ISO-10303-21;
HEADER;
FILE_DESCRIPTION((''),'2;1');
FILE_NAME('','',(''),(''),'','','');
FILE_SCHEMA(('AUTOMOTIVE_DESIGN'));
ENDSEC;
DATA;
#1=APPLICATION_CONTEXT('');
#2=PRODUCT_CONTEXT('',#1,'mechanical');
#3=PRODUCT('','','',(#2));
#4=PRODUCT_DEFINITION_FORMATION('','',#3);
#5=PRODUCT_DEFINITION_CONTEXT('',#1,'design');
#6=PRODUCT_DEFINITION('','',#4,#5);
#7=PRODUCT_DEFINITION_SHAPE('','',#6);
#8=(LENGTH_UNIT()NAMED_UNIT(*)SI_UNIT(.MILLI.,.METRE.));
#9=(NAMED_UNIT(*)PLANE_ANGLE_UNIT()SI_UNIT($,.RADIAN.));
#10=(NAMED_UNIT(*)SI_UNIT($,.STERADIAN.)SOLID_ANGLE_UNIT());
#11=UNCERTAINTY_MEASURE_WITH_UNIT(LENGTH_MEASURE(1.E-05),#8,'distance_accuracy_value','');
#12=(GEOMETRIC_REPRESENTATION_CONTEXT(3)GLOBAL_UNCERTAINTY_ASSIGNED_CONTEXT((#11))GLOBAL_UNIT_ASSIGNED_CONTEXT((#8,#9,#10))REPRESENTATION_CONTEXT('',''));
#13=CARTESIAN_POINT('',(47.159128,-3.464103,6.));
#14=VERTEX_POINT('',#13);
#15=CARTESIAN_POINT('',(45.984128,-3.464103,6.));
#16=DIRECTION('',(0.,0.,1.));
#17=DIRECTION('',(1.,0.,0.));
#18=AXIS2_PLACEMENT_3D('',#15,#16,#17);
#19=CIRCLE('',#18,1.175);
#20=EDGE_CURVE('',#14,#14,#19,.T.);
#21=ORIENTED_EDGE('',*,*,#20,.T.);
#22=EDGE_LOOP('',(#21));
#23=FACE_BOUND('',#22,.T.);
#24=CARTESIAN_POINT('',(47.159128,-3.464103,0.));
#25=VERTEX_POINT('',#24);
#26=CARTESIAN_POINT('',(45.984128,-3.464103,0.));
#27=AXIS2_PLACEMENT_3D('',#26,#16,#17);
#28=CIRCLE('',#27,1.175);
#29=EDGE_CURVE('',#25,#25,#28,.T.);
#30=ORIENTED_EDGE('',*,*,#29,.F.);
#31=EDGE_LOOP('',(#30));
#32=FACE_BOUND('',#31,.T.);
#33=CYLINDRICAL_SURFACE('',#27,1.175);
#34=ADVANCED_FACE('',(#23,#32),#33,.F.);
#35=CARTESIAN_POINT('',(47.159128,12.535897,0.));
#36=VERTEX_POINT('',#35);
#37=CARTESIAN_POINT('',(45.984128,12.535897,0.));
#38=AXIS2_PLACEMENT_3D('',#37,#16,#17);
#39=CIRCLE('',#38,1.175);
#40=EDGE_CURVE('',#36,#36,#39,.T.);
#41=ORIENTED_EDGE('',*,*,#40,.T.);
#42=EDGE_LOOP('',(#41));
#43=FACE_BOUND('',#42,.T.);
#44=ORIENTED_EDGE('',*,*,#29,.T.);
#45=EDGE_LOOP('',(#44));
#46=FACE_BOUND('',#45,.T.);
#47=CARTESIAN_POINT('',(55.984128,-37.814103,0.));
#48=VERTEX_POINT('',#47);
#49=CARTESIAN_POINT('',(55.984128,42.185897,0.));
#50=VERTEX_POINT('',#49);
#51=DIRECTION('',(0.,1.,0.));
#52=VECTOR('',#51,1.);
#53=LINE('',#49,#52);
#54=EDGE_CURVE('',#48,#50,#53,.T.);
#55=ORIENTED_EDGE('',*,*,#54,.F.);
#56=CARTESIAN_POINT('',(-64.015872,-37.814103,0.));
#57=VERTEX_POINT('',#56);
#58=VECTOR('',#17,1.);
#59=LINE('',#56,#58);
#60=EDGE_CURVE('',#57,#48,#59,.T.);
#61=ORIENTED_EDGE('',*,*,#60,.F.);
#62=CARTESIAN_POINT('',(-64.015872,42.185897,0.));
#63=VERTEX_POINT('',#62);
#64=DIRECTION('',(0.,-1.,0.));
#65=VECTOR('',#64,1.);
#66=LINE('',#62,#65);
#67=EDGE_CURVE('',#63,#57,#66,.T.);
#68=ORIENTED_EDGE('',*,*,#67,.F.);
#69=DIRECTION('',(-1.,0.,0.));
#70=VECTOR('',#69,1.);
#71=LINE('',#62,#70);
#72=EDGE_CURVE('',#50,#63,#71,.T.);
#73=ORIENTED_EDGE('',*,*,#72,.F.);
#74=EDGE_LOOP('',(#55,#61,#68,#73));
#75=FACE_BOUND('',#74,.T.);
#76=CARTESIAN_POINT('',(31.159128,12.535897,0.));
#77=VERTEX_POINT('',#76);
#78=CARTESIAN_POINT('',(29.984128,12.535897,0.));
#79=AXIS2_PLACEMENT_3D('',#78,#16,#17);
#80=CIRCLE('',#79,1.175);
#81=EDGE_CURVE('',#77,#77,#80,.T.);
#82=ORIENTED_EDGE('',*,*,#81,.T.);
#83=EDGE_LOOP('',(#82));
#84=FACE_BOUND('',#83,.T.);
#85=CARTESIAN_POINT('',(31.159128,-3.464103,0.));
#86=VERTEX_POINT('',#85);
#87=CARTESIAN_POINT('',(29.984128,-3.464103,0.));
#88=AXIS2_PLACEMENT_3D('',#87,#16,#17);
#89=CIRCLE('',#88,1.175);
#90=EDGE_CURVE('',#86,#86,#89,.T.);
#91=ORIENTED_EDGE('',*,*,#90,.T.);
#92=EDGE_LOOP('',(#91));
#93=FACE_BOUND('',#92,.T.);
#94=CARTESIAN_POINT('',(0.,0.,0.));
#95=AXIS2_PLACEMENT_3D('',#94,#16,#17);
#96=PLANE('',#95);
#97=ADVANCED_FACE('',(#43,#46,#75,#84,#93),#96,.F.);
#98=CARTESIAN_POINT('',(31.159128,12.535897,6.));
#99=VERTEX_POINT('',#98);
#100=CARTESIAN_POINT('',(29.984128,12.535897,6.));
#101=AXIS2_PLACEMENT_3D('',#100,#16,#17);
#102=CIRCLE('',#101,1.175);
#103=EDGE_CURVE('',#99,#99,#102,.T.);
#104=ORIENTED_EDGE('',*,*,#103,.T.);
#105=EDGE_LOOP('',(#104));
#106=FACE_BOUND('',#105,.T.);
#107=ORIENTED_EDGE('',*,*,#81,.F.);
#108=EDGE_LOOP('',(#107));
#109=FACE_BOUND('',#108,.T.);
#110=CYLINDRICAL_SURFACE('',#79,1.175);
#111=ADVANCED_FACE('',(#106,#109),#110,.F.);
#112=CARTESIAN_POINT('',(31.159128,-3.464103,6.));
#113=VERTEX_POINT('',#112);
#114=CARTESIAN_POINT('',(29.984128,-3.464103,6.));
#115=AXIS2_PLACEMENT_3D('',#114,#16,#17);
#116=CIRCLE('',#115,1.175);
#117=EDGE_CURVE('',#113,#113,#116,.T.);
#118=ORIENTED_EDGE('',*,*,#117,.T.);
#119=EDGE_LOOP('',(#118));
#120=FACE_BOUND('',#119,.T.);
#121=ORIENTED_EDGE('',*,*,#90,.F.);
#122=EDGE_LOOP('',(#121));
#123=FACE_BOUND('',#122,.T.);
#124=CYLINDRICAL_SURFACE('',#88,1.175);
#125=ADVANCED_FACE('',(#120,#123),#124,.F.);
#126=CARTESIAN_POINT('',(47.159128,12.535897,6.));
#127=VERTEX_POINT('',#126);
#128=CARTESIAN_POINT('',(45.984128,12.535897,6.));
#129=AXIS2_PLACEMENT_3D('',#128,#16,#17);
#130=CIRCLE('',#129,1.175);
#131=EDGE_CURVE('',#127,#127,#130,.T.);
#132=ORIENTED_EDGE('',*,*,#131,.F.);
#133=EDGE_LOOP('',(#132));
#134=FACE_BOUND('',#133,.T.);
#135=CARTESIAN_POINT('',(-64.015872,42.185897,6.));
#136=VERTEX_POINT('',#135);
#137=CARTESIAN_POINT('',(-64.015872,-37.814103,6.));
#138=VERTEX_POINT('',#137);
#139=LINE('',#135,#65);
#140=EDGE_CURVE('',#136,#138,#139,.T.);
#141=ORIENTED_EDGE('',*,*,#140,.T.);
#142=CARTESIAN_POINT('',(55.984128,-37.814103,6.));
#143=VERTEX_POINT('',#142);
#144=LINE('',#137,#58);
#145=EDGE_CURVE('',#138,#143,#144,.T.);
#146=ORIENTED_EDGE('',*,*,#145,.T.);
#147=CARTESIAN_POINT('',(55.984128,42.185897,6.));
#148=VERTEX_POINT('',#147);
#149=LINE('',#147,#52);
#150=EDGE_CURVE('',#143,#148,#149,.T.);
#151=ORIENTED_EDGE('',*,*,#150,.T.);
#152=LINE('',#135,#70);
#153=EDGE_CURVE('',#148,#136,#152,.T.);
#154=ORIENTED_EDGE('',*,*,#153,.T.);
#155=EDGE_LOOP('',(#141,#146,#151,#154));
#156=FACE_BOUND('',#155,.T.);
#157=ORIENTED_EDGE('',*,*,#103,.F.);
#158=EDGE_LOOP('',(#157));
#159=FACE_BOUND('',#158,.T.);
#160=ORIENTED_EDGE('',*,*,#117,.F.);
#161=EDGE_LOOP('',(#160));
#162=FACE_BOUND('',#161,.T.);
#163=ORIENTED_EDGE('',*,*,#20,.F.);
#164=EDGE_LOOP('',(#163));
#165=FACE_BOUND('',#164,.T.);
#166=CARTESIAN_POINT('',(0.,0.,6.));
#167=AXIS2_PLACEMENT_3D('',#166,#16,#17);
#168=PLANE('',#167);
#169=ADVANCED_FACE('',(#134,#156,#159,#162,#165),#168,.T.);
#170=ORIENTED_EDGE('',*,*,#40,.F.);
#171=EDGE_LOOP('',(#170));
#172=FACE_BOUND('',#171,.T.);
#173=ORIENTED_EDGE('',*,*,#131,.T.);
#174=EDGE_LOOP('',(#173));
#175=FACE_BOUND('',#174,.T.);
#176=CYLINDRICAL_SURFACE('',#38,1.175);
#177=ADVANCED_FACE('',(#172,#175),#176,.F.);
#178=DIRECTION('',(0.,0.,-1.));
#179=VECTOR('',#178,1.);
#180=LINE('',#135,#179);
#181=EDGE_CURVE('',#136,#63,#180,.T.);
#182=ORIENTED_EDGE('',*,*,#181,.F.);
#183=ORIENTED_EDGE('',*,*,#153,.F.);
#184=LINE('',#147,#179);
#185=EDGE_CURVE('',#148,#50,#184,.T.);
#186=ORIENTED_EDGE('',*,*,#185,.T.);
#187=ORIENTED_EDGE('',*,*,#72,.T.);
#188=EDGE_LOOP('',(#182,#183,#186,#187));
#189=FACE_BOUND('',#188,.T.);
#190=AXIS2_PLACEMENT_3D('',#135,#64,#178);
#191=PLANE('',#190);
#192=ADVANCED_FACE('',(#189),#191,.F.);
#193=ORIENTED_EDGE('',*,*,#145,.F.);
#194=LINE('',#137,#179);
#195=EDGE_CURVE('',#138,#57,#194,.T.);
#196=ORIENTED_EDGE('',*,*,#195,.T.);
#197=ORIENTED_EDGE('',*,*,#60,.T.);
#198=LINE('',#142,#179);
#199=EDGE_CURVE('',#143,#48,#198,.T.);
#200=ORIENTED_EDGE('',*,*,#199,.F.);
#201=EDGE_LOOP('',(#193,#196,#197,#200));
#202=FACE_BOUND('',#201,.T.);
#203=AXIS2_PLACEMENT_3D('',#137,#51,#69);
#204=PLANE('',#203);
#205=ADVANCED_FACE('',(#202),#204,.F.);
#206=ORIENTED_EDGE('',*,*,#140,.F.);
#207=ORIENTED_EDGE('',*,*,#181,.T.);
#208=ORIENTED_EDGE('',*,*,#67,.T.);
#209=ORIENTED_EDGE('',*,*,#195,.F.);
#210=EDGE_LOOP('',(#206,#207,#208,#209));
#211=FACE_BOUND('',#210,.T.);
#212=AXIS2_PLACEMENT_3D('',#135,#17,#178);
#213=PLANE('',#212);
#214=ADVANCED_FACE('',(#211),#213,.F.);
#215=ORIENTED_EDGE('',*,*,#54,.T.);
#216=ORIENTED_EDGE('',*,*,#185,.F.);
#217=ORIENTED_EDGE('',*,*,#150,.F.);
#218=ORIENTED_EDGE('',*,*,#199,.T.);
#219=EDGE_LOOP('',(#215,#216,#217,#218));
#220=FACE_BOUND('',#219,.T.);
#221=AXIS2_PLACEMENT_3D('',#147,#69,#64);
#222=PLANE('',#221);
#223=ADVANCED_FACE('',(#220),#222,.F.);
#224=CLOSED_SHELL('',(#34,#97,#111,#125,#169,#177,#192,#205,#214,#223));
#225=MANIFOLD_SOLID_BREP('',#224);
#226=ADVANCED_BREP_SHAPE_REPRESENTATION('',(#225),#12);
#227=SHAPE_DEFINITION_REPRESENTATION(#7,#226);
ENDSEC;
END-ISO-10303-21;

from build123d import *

# Parameters (mm, degrees)
ESQUISSE1_W             = 120
ESQUISSE1_H             = 80
BOSS_EXTRU_1_DEPTH      = 6
ESQUISSE2_R             = 1.175
ENL_V_MAT_EXTRU_1_DEPTH = 6


with BuildPart() as part:
    # Esquisse1 → Boss.-Extru.1 (new body)
    with BuildSketch(Plane.XY):
        with Locations((-4.015872064, 2.185897225)):
            Rectangle(ESQUISSE1_W, ESQUISSE1_H)
    extrude(amount=BOSS_EXTRU_1_DEPTH)

    # Esquisse2 → Enlèv. mat.-Extru.1 (cut)
    with BuildSketch(Plane.XY.offset(6)):
        with Locations((45.984127936, 12.535897225)):
            Circle(ESQUISSE2_R)
        with Locations((29.984127936, 12.535897225)):
            Circle(ESQUISSE2_R)
        with Locations((29.984127936, -3.464102775)):
            Circle(ESQUISSE2_R)
        with Locations((45.984127936, -3.464102775)):
            Circle(ESQUISSE2_R)
    extrude(amount=-ENL_V_MAT_EXTRU_1_DEPTH, mode=Mode.SUBTRACT)


solid = part.part
